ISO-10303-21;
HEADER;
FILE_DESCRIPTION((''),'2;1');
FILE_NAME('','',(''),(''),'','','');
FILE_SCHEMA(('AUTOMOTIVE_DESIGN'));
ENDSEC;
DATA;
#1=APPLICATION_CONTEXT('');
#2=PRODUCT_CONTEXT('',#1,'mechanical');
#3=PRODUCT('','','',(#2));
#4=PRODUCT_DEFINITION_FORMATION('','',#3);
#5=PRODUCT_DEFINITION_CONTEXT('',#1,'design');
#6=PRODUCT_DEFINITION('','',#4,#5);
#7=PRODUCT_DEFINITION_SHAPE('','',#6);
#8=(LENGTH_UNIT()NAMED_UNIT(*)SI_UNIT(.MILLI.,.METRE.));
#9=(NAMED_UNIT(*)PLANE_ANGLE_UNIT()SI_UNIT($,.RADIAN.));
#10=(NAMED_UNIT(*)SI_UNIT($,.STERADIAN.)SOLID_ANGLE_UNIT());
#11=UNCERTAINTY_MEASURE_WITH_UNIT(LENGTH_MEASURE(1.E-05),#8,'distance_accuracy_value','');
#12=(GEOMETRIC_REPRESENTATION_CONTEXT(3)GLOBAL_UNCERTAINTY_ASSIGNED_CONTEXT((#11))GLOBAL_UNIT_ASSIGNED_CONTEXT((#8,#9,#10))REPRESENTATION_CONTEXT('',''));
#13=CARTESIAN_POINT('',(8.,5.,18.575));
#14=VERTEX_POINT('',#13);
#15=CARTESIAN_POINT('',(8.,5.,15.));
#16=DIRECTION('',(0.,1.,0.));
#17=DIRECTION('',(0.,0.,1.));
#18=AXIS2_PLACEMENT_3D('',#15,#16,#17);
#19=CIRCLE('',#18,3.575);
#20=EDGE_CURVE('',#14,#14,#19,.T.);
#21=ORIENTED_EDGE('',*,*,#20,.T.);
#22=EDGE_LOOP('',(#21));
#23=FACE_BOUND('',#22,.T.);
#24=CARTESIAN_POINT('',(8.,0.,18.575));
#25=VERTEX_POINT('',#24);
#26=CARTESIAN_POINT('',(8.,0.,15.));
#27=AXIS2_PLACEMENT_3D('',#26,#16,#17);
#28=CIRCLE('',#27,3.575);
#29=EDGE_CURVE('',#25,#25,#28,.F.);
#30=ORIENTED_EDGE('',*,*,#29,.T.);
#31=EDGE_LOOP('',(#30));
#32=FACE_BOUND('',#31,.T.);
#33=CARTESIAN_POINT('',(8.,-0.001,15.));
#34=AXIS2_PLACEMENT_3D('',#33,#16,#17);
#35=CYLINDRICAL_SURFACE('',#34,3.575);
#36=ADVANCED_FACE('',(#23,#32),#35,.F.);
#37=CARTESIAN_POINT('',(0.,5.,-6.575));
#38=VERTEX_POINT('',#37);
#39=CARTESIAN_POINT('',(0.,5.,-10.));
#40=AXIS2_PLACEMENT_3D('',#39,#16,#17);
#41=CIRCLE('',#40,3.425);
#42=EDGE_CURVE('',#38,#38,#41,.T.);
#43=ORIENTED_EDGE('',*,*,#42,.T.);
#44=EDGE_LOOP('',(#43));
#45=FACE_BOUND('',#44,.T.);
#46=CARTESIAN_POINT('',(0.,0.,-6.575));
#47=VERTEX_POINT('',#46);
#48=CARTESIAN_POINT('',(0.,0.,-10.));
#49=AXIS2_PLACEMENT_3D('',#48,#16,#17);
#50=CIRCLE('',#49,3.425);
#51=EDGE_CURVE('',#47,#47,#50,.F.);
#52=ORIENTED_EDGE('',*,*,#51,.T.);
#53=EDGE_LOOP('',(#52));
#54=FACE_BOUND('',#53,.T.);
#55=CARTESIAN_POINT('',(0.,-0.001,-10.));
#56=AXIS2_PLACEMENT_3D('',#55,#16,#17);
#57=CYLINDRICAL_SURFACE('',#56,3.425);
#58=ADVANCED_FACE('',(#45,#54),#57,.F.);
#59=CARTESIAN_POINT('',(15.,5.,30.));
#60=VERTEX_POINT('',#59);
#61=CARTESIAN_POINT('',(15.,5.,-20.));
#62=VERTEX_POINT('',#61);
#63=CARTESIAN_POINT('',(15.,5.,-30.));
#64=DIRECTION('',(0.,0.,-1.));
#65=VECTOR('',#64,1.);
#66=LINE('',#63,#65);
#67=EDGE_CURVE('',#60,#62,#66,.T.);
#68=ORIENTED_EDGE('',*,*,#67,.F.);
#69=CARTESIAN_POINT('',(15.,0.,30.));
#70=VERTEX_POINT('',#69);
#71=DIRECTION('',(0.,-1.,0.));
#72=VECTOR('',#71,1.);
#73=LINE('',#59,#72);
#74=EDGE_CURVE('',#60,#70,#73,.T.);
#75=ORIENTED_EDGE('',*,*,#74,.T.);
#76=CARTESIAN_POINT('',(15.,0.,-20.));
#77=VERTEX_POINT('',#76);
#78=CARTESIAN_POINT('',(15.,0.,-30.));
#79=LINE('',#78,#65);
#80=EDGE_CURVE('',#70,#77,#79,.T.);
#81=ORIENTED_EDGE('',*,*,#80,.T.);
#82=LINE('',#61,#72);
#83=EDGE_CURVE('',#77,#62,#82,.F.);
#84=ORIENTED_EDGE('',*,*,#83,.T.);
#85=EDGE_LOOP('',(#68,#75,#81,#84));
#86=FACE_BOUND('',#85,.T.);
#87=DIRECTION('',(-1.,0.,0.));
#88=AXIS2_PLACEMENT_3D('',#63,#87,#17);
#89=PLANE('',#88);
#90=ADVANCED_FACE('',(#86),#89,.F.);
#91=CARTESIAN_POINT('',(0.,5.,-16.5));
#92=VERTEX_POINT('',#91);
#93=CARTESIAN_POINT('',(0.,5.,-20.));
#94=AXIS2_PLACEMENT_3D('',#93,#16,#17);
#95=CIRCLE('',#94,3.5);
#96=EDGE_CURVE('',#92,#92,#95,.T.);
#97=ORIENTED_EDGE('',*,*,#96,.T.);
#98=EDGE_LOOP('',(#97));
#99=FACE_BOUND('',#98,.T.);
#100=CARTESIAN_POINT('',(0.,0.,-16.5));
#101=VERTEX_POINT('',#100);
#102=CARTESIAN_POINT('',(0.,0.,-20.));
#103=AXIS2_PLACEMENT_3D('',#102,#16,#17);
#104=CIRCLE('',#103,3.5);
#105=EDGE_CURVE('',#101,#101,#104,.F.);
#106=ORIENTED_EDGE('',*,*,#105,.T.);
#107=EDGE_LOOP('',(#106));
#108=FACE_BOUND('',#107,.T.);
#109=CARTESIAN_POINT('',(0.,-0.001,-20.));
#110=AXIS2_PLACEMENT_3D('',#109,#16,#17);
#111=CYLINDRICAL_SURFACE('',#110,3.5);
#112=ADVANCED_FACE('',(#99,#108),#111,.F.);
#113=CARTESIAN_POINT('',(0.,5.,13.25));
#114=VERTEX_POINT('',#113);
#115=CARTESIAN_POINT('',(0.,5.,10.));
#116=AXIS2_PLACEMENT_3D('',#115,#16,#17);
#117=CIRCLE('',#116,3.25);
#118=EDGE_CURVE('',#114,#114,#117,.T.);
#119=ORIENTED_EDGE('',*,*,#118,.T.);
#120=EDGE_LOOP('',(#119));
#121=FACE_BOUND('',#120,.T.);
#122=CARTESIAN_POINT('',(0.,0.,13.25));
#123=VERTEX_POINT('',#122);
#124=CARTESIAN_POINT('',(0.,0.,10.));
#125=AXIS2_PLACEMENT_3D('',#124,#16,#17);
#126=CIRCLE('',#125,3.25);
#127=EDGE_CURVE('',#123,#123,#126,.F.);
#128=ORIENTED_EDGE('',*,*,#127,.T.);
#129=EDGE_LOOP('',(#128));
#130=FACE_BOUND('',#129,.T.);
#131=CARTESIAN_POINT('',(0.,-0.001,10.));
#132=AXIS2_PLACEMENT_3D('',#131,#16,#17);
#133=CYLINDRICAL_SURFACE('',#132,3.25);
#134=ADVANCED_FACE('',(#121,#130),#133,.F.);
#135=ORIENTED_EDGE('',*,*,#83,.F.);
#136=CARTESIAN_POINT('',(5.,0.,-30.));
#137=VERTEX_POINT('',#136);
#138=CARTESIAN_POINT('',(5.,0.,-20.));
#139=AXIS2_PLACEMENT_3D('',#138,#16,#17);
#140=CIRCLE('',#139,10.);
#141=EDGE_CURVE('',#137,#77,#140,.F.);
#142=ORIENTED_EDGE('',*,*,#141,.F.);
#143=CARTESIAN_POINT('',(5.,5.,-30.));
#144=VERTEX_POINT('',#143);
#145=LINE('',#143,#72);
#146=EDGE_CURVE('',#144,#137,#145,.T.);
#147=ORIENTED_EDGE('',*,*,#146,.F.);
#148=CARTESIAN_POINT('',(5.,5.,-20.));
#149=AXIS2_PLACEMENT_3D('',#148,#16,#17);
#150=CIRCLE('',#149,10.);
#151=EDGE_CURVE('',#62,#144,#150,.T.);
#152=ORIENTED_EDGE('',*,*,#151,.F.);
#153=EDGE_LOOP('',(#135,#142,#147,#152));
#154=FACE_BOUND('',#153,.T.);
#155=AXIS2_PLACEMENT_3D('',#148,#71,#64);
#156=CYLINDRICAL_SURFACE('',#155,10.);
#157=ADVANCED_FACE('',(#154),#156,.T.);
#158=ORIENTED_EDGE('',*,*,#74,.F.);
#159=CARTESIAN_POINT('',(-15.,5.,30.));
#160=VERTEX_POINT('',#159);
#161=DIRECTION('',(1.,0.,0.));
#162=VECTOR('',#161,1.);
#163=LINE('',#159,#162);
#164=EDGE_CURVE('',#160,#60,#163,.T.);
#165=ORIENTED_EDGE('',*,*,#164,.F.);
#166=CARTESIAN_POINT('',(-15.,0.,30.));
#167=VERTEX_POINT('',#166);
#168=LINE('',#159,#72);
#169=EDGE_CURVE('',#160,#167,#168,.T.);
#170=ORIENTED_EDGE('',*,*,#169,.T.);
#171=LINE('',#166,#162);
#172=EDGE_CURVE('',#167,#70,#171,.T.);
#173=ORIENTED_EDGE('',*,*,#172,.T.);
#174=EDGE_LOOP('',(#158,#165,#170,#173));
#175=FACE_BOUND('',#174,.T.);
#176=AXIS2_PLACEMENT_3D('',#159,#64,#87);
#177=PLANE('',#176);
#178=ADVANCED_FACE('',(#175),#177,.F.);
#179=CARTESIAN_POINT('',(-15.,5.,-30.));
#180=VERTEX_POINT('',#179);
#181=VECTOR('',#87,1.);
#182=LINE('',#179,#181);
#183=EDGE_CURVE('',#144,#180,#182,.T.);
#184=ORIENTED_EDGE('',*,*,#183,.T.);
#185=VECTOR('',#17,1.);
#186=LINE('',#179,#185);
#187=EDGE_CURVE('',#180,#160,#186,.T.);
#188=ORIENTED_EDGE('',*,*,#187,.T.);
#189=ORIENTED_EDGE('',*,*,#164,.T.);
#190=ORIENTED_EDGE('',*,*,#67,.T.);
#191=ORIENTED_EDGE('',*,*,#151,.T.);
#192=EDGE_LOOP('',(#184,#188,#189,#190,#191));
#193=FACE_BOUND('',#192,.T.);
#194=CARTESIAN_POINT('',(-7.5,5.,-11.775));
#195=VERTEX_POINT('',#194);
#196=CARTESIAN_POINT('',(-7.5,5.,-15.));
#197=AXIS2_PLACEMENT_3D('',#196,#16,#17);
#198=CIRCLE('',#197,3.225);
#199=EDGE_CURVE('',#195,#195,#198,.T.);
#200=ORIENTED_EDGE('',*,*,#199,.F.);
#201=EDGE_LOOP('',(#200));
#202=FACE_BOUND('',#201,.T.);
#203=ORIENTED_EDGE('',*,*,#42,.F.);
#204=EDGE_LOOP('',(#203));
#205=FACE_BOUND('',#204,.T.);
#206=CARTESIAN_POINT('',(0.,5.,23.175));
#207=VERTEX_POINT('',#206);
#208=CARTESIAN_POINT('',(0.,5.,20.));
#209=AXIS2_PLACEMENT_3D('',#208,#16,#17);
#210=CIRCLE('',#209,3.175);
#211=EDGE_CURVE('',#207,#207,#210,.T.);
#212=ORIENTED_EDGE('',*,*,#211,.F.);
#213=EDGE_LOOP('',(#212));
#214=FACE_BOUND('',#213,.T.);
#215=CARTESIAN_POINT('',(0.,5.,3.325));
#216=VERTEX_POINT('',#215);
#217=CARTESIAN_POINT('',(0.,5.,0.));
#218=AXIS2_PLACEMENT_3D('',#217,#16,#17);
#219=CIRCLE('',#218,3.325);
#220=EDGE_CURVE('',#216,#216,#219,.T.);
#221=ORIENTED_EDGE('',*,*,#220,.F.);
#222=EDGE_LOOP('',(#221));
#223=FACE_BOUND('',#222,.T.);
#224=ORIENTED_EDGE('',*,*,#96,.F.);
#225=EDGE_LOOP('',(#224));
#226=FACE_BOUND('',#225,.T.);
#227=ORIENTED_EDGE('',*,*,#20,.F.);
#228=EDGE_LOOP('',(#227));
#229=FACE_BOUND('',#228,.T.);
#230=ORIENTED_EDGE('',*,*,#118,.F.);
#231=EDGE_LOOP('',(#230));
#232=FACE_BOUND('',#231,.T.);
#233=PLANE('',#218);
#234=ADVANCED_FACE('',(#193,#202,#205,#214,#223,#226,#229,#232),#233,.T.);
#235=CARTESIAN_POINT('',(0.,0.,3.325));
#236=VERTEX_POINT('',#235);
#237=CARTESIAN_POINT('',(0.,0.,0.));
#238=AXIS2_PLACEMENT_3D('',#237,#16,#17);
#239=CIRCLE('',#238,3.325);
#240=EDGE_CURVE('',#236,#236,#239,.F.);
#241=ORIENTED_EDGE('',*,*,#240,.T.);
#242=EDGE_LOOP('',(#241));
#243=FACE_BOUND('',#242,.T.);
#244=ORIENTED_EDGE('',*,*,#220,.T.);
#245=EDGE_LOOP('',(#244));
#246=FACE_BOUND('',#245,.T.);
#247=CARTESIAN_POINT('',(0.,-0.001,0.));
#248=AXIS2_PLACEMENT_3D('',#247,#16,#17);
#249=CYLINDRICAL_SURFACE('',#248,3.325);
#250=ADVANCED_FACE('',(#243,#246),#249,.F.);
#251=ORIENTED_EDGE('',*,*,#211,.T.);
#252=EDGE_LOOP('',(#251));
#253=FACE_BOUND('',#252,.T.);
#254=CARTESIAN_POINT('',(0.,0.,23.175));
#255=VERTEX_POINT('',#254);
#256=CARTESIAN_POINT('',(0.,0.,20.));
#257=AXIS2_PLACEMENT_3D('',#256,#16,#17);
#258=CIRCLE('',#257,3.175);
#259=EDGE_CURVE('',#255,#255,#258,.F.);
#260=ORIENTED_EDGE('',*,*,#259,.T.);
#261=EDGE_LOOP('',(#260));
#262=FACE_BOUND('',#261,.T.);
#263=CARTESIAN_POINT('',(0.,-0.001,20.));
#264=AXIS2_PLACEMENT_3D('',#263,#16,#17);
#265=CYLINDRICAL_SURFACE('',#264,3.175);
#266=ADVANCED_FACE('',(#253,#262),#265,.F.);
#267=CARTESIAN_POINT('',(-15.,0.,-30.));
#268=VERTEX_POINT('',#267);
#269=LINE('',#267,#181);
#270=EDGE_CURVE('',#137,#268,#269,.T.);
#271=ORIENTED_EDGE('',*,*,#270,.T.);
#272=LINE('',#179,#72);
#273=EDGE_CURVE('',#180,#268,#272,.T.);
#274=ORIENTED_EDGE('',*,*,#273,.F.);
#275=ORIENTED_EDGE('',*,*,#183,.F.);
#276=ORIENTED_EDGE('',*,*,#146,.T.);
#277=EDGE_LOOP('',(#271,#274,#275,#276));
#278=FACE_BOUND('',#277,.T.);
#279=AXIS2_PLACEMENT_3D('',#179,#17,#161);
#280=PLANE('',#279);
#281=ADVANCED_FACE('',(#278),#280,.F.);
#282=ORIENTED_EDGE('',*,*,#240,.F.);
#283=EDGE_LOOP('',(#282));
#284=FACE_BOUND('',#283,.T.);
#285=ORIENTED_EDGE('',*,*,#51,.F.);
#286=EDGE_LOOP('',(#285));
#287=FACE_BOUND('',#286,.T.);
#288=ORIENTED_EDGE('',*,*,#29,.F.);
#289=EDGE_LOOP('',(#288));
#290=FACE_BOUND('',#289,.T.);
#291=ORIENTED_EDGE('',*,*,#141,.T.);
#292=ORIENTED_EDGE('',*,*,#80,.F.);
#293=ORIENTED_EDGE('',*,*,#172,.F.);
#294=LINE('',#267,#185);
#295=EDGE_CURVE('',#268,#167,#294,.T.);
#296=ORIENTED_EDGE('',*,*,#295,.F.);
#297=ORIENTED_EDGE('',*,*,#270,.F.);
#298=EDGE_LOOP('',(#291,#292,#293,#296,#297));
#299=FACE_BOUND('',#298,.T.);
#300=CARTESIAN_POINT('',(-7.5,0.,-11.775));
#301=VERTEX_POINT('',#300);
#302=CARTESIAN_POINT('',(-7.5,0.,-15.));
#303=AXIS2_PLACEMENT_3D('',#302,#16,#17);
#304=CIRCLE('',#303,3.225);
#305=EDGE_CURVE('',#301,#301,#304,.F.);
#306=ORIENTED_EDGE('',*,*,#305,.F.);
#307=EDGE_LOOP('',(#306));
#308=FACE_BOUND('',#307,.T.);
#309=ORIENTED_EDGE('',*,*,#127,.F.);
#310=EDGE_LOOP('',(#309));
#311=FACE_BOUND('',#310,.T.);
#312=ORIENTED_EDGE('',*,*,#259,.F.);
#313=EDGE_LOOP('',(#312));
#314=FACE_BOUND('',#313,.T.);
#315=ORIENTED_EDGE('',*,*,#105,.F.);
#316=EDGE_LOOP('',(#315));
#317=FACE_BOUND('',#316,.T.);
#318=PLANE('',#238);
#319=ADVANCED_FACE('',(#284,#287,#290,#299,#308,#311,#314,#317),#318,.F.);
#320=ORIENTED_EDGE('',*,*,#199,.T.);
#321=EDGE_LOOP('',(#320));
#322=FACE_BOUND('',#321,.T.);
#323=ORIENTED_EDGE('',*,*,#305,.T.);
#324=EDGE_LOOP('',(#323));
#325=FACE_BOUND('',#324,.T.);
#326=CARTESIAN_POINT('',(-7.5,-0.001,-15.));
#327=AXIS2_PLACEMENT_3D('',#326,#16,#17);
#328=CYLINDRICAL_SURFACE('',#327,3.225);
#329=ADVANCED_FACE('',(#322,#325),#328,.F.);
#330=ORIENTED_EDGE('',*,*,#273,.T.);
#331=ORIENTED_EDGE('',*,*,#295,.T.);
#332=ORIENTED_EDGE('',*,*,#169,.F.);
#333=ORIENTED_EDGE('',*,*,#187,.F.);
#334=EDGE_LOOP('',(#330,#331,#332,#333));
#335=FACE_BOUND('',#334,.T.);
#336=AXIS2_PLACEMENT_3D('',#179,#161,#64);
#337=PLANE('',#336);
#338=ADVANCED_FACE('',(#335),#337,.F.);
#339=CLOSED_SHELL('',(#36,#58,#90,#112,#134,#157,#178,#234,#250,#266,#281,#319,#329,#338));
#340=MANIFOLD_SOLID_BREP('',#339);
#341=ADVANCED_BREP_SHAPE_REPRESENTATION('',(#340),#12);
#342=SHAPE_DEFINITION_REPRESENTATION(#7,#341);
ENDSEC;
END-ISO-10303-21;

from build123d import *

# Parameters (mm, degrees)
ESQUISSE1_W             = 30
ESQUISSE1_H             = 60
BOSS_EXTRU_1_DEPTH      = 5
ENL_V_MAT_EXTRU_1_REACH = 35.912
ESQUISSE2_R             = 3.175
ESQUISSE2_R_2           = 3.25
ESQUISSE2_R_3           = 3.325
ESQUISSE2_R_4           = 3.425
ESQUISSE2_R_5           = 3.5
ESQUISSE2_R_6           = 3.575
ESQUISSE2_R_7           = 3.225
CONG_1_R                = 10


with BuildPart() as part:
    # Esquisse1 → Boss.-Extru.1 (new body)
    with BuildSketch(Plane(origin=(0, 0, 0), x_dir=(1, 0, 0), z_dir=(0, 1, 0))):
        Rectangle(ESQUISSE1_W, ESQUISSE1_H)
    extrude(amount=BOSS_EXTRU_1_DEPTH)

    # Esquisse2 → Enlèv. mat.-Extru.1 (cut, up to next)
    with BuildSketch(Plane(origin=(0, 5, 0), x_dir=(1, 0, 0), z_dir=(0, 1, 0)), mode=Mode.PRIVATE) as enl_v_mat_extru_1_sk1:
        with Locations(Location((0, -20, 0), (0, 0, 270))):
            Circle(ESQUISSE2_R)
    enl_v_mat_extru_1_tool1 = extrude(enl_v_mat_extru_1_sk1.sketch, amount=-ENL_V_MAT_EXTRU_1_REACH, mode=Mode.PRIVATE) & part.part
    # Esquisse2 → Enlèv. mat.-Extru.1 (cut, up to next)
    with BuildSketch(Plane(origin=(0, 5, 0), x_dir=(1, 0, 0), z_dir=(0, 1, 0)), mode=Mode.PRIVATE) as enl_v_mat_extru_1_sk2:
        with Locations(Location((0, -10, 0), (0, 0, 270))):
            Circle(ESQUISSE2_R_2)
    enl_v_mat_extru_1_tool2 = extrude(enl_v_mat_extru_1_sk2.sketch, amount=-ENL_V_MAT_EXTRU_1_REACH, mode=Mode.PRIVATE) & part.part
    # Esquisse2 → Enlèv. mat.-Extru.1 (cut, up to next)
    with BuildSketch(Plane(origin=(0, 5, 0), x_dir=(1, 0, 0), z_dir=(0, 1, 0)), mode=Mode.PRIVATE) as enl_v_mat_extru_1_sk3:
        with Locations(Location((0, 0, 0), (0, 0, 270))):
            Circle(ESQUISSE2_R_3)
    enl_v_mat_extru_1_tool3 = extrude(enl_v_mat_extru_1_sk3.sketch, amount=-ENL_V_MAT_EXTRU_1_REACH, mode=Mode.PRIVATE) & part.part
    # Esquisse2 → Enlèv. mat.-Extru.1 (cut, up to next)
    with BuildSketch(Plane(origin=(0, 5, 0), x_dir=(1, 0, 0), z_dir=(0, 1, 0)), mode=Mode.PRIVATE) as enl_v_mat_extru_1_sk4:
        with Locations(Location((0, 10, 0), (0, 0, 270))):
            Circle(ESQUISSE2_R_4)
    enl_v_mat_extru_1_tool4 = extrude(enl_v_mat_extru_1_sk4.sketch, amount=-ENL_V_MAT_EXTRU_1_REACH, mode=Mode.PRIVATE) & part.part
    # Esquisse2 → Enlèv. mat.-Extru.1 (cut, up to next)
    with BuildSketch(Plane(origin=(0, 5, 0), x_dir=(1, 0, 0), z_dir=(0, 1, 0)), mode=Mode.PRIVATE) as enl_v_mat_extru_1_sk5:
        with Locations(Location((0, 20, 0), (0, 0, 270))):
            Circle(ESQUISSE2_R_5)
    enl_v_mat_extru_1_tool5 = extrude(enl_v_mat_extru_1_sk5.sketch, amount=-ENL_V_MAT_EXTRU_1_REACH, mode=Mode.PRIVATE) & part.part
    # Esquisse2 → Enlèv. mat.-Extru.1 (cut, up to next)
    with BuildSketch(Plane(origin=(0, 5, 0), x_dir=(1, 0, 0), z_dir=(0, 1, 0)), mode=Mode.PRIVATE) as enl_v_mat_extru_1_sk6:
        with Locations(Location((8, -15, 0), (0, 0, 270))):
            Circle(ESQUISSE2_R_6)
    enl_v_mat_extru_1_tool6 = extrude(enl_v_mat_extru_1_sk6.sketch, amount=-ENL_V_MAT_EXTRU_1_REACH, mode=Mode.PRIVATE) & part.part
    # Esquisse2 → Enlèv. mat.-Extru.1 (cut, up to next)
    with BuildSketch(Plane(origin=(0, 5, 0), x_dir=(1, 0, 0), z_dir=(0, 1, 0)), mode=Mode.PRIVATE) as enl_v_mat_extru_1_sk7:
        with Locations(Location((-7.5, 15, 0), (0, 0, 270))):
            Circle(ESQUISSE2_R_7)
    enl_v_mat_extru_1_tool7 = extrude(enl_v_mat_extru_1_sk7.sketch, amount=-ENL_V_MAT_EXTRU_1_REACH, mode=Mode.PRIVATE) & part.part
    add(enl_v_mat_extru_1_tool1.solids().sort_by_distance((0, 5, 20))[0], mode=Mode.SUBTRACT)
    add(enl_v_mat_extru_1_tool2.solids().sort_by_distance((0, 5, 10))[0], mode=Mode.SUBTRACT)
    add(enl_v_mat_extru_1_tool3.solids().sort_by_distance((0, 5, 0))[0], mode=Mode.SUBTRACT)
    add(enl_v_mat_extru_1_tool4.solids().sort_by_distance((0, 5, -10))[0], mode=Mode.SUBTRACT)
    add(enl_v_mat_extru_1_tool5.solids().sort_by_distance((0, 5, -20))[0], mode=Mode.SUBTRACT)
    add(enl_v_mat_extru_1_tool6.solids().sort_by_distance((8, 5, 15))[0], mode=Mode.SUBTRACT)
    add(enl_v_mat_extru_1_tool7.solids().sort_by_distance((-7.5, 5, -15))[0], mode=Mode.SUBTRACT)

    # Congé1
    cong_1_edges = [part.edges().sort_by_distance(p)[0] for p in [
        (15, 2.5, -30),
    ]]
    fillet(cong_1_edges, radius=CONG_1_R)


solid = part.part
